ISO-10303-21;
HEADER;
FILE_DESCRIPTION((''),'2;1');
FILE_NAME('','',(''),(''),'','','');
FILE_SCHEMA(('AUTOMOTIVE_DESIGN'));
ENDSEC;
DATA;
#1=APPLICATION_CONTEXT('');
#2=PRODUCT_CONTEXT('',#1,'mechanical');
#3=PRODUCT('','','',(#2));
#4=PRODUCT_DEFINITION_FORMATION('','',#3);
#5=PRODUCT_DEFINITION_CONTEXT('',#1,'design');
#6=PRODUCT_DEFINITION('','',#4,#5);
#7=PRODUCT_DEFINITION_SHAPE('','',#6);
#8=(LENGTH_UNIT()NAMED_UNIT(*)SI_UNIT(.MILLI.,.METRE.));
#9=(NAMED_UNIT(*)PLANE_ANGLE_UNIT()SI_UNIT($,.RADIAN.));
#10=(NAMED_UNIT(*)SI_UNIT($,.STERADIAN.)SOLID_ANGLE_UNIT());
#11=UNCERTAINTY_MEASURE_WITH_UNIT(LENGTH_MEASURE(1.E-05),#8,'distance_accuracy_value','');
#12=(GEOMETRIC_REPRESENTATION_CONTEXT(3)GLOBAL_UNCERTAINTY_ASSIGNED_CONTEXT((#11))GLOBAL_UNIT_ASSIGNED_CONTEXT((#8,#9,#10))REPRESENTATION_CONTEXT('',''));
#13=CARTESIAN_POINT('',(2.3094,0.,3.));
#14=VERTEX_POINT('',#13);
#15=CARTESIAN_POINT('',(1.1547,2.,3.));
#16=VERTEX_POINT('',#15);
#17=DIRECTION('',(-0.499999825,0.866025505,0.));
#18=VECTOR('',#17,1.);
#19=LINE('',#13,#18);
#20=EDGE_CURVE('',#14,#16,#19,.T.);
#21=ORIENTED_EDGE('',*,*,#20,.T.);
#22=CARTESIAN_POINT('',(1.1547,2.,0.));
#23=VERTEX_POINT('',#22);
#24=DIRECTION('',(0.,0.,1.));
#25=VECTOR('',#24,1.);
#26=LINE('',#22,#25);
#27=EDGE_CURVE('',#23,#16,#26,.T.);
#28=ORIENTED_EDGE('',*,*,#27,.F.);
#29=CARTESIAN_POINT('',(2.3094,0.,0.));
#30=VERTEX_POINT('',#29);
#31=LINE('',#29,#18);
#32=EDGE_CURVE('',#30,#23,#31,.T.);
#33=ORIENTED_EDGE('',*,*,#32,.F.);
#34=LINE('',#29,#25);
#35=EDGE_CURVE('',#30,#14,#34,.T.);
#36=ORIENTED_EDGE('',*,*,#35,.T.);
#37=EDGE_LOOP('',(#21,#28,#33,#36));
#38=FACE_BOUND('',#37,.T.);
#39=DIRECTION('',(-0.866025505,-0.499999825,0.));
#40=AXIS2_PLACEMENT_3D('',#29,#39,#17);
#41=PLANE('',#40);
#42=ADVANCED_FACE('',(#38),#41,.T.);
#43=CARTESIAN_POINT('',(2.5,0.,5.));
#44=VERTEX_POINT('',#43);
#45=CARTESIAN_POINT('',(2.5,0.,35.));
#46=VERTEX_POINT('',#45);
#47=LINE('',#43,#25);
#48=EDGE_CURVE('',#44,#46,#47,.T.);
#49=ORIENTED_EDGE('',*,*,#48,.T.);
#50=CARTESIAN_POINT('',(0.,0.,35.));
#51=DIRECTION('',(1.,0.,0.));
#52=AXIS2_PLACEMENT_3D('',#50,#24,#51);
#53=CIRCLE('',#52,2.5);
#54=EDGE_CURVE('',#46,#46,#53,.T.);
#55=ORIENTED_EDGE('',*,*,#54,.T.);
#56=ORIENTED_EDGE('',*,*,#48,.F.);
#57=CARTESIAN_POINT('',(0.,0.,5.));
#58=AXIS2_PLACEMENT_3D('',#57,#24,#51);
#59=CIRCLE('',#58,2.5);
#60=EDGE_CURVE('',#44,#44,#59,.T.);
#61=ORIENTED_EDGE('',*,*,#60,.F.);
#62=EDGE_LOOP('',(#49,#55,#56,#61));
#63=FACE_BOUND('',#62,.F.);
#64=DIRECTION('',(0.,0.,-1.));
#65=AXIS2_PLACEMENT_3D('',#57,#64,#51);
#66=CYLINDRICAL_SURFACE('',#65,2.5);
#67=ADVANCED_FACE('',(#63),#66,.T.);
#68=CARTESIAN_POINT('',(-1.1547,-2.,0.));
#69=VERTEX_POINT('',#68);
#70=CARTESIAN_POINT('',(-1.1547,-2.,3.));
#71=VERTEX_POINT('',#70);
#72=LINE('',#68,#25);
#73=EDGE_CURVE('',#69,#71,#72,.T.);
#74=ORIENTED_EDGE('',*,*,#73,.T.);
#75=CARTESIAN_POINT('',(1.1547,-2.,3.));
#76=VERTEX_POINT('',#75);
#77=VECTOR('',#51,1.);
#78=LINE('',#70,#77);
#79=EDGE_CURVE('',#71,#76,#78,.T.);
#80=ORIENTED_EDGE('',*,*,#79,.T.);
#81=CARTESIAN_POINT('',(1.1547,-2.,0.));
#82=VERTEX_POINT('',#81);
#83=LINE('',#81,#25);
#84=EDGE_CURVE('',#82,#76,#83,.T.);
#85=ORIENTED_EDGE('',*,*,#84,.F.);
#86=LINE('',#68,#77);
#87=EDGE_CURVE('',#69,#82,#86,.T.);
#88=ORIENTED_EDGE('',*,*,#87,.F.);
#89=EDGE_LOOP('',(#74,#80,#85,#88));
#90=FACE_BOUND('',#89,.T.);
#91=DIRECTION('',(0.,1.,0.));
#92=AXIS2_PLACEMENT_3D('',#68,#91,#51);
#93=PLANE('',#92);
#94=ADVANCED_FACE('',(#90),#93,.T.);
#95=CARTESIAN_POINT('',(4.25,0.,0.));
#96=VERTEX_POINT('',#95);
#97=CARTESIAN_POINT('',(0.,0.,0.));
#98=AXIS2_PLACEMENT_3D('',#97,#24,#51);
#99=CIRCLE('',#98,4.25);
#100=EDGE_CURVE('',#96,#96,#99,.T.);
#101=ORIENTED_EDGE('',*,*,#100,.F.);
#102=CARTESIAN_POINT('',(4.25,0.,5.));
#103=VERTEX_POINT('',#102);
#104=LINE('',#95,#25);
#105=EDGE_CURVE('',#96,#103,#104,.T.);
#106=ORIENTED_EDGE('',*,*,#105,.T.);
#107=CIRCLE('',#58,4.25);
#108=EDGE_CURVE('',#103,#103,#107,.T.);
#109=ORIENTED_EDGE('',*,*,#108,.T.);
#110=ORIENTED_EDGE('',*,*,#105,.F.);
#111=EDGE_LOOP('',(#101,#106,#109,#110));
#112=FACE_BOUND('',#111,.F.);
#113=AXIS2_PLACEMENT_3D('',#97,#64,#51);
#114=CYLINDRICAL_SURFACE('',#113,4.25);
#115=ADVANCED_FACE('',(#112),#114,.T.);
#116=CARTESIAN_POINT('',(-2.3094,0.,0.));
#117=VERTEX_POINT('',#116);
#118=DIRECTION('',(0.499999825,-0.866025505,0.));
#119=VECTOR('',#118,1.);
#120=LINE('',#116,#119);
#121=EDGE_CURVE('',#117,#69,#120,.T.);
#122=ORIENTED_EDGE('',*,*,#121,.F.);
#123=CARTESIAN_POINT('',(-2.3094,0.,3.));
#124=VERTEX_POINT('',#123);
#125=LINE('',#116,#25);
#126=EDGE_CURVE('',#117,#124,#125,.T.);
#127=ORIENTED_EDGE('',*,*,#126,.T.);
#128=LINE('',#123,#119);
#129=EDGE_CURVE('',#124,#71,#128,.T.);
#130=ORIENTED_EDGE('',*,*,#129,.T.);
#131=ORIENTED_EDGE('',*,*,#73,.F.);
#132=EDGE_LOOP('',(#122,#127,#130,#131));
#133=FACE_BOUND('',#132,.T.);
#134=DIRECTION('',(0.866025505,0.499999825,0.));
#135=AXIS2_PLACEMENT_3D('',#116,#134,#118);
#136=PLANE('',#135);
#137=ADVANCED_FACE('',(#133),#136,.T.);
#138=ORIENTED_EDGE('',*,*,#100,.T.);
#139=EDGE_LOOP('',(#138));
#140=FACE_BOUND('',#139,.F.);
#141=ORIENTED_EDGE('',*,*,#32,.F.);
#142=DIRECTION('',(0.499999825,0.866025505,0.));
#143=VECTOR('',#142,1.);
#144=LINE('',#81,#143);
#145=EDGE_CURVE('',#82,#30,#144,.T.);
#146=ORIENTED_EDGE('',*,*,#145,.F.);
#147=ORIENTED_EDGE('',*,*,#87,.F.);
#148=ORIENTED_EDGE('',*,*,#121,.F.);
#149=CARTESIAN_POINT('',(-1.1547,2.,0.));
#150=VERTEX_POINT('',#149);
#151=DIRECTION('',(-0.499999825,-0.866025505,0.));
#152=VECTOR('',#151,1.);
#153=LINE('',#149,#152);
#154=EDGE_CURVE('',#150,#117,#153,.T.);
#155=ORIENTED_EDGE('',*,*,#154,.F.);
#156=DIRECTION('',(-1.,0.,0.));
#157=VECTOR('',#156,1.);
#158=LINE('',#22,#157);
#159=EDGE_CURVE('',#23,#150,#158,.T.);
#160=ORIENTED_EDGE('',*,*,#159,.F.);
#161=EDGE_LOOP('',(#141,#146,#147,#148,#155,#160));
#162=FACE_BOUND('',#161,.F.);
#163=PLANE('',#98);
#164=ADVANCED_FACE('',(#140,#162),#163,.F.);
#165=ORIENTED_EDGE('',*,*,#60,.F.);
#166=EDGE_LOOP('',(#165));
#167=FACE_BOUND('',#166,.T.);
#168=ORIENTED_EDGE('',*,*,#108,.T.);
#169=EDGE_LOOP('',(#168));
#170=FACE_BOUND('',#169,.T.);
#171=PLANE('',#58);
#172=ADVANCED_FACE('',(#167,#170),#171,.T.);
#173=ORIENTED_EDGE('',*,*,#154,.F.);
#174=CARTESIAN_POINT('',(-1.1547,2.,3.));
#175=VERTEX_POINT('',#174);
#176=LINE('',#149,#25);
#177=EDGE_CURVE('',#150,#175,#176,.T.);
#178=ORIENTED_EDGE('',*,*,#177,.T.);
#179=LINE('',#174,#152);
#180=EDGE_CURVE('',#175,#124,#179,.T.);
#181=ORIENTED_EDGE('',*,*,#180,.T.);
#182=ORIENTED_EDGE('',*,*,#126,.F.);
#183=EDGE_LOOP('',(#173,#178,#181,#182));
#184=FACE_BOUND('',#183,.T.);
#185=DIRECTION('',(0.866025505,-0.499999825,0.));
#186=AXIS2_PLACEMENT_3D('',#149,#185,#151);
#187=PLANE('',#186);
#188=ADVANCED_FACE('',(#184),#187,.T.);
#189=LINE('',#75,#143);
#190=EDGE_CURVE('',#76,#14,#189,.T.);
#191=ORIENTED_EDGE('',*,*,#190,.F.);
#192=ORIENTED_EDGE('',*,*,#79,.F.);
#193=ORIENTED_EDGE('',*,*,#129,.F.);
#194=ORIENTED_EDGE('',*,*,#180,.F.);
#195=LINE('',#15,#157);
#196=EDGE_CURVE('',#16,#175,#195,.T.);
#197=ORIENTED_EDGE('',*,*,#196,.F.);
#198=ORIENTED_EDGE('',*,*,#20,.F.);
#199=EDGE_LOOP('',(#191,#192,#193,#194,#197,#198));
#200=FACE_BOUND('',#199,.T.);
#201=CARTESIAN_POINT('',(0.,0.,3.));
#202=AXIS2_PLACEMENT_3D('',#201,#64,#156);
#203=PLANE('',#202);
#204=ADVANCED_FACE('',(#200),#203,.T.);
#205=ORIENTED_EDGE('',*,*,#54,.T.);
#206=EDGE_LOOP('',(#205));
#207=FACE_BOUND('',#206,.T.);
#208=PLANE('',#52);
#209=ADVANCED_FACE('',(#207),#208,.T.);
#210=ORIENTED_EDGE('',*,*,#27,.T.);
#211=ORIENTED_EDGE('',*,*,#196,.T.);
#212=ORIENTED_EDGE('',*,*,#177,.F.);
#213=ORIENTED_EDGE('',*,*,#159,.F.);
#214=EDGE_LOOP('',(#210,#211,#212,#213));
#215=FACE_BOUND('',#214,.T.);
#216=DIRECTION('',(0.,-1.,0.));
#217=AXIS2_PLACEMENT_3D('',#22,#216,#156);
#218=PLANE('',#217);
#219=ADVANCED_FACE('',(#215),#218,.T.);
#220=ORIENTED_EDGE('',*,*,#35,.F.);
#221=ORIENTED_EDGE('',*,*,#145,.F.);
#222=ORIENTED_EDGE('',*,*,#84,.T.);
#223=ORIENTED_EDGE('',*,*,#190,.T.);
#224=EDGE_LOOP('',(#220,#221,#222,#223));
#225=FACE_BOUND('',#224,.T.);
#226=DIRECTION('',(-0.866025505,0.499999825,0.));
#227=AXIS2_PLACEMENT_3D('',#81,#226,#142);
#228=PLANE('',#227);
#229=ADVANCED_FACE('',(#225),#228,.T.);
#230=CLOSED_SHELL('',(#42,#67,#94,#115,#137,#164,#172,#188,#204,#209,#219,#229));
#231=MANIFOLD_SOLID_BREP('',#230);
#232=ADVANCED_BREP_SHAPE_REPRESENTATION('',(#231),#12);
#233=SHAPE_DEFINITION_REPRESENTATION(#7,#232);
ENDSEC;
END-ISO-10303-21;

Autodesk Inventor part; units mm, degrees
ref_plane "YZ Plane" through (0, 0, 0) normal (1, 0, 0) x (0, 1, 0)
ref_plane "XZ Plane" through (0, 0, 0) normal (0, 1, 0) x (-1, 0, 0)
ref_plane "XY Plane" through (0, 0, 0) normal (0, 0, 1) x (1, 0, 0)
sketch "Sketch1" plane through (0, 0, 0) normal (0, 0, 1) x (1, 0, 0)
  circle A0 centre (0, 0) radius 4.25
  dimension "d0" = 8.5
extrude "Extrusion1" add sketch "Sketch1" along normal blind 5
sketch "Sketch2" plane through (0, 0, 5) normal (0, 0, 1) x (1, 0, 0)
  circle A0 centre (0, 0) radius 4.25 projected
  circle A1 centre (0, 0) radius 2.5
  dimension "d3" = 5
extrude "Extrusion2" add sketch "Sketch2" along normal blind 30 contours A1
sketch "Sketch3" plane through (0, 0, 0) normal (0, 0, -1) x (-1, 0, 0)
  circle A0 centre (0, 0) radius 4.25 projected
  line L0 (2.3094, 0) -> (1.1547, -2)
  line L1 (1.1547, -2) -> (-1.1547, -2)
  line L2 (-1.1547, -2) -> (-2.3094, 0)
  line L3 (-2.3094, 0) -> (-1.1547, 2)
  line L4 (-1.1547, 2) -> (1.1547, 2)
  line L5 (1.1547, 2) -> (2.3094, 0)
  dimension "d6" = 4
extrude "Extrusion3" cut sketch "Sketch3" against normal blind 3 contours L0 L1 L2 L3 L4 L5
thread "Thread1" size "M5x0.8" class "6g" standard "ANSI Metric M Profile" full length
properties part number "m5x0.8"
